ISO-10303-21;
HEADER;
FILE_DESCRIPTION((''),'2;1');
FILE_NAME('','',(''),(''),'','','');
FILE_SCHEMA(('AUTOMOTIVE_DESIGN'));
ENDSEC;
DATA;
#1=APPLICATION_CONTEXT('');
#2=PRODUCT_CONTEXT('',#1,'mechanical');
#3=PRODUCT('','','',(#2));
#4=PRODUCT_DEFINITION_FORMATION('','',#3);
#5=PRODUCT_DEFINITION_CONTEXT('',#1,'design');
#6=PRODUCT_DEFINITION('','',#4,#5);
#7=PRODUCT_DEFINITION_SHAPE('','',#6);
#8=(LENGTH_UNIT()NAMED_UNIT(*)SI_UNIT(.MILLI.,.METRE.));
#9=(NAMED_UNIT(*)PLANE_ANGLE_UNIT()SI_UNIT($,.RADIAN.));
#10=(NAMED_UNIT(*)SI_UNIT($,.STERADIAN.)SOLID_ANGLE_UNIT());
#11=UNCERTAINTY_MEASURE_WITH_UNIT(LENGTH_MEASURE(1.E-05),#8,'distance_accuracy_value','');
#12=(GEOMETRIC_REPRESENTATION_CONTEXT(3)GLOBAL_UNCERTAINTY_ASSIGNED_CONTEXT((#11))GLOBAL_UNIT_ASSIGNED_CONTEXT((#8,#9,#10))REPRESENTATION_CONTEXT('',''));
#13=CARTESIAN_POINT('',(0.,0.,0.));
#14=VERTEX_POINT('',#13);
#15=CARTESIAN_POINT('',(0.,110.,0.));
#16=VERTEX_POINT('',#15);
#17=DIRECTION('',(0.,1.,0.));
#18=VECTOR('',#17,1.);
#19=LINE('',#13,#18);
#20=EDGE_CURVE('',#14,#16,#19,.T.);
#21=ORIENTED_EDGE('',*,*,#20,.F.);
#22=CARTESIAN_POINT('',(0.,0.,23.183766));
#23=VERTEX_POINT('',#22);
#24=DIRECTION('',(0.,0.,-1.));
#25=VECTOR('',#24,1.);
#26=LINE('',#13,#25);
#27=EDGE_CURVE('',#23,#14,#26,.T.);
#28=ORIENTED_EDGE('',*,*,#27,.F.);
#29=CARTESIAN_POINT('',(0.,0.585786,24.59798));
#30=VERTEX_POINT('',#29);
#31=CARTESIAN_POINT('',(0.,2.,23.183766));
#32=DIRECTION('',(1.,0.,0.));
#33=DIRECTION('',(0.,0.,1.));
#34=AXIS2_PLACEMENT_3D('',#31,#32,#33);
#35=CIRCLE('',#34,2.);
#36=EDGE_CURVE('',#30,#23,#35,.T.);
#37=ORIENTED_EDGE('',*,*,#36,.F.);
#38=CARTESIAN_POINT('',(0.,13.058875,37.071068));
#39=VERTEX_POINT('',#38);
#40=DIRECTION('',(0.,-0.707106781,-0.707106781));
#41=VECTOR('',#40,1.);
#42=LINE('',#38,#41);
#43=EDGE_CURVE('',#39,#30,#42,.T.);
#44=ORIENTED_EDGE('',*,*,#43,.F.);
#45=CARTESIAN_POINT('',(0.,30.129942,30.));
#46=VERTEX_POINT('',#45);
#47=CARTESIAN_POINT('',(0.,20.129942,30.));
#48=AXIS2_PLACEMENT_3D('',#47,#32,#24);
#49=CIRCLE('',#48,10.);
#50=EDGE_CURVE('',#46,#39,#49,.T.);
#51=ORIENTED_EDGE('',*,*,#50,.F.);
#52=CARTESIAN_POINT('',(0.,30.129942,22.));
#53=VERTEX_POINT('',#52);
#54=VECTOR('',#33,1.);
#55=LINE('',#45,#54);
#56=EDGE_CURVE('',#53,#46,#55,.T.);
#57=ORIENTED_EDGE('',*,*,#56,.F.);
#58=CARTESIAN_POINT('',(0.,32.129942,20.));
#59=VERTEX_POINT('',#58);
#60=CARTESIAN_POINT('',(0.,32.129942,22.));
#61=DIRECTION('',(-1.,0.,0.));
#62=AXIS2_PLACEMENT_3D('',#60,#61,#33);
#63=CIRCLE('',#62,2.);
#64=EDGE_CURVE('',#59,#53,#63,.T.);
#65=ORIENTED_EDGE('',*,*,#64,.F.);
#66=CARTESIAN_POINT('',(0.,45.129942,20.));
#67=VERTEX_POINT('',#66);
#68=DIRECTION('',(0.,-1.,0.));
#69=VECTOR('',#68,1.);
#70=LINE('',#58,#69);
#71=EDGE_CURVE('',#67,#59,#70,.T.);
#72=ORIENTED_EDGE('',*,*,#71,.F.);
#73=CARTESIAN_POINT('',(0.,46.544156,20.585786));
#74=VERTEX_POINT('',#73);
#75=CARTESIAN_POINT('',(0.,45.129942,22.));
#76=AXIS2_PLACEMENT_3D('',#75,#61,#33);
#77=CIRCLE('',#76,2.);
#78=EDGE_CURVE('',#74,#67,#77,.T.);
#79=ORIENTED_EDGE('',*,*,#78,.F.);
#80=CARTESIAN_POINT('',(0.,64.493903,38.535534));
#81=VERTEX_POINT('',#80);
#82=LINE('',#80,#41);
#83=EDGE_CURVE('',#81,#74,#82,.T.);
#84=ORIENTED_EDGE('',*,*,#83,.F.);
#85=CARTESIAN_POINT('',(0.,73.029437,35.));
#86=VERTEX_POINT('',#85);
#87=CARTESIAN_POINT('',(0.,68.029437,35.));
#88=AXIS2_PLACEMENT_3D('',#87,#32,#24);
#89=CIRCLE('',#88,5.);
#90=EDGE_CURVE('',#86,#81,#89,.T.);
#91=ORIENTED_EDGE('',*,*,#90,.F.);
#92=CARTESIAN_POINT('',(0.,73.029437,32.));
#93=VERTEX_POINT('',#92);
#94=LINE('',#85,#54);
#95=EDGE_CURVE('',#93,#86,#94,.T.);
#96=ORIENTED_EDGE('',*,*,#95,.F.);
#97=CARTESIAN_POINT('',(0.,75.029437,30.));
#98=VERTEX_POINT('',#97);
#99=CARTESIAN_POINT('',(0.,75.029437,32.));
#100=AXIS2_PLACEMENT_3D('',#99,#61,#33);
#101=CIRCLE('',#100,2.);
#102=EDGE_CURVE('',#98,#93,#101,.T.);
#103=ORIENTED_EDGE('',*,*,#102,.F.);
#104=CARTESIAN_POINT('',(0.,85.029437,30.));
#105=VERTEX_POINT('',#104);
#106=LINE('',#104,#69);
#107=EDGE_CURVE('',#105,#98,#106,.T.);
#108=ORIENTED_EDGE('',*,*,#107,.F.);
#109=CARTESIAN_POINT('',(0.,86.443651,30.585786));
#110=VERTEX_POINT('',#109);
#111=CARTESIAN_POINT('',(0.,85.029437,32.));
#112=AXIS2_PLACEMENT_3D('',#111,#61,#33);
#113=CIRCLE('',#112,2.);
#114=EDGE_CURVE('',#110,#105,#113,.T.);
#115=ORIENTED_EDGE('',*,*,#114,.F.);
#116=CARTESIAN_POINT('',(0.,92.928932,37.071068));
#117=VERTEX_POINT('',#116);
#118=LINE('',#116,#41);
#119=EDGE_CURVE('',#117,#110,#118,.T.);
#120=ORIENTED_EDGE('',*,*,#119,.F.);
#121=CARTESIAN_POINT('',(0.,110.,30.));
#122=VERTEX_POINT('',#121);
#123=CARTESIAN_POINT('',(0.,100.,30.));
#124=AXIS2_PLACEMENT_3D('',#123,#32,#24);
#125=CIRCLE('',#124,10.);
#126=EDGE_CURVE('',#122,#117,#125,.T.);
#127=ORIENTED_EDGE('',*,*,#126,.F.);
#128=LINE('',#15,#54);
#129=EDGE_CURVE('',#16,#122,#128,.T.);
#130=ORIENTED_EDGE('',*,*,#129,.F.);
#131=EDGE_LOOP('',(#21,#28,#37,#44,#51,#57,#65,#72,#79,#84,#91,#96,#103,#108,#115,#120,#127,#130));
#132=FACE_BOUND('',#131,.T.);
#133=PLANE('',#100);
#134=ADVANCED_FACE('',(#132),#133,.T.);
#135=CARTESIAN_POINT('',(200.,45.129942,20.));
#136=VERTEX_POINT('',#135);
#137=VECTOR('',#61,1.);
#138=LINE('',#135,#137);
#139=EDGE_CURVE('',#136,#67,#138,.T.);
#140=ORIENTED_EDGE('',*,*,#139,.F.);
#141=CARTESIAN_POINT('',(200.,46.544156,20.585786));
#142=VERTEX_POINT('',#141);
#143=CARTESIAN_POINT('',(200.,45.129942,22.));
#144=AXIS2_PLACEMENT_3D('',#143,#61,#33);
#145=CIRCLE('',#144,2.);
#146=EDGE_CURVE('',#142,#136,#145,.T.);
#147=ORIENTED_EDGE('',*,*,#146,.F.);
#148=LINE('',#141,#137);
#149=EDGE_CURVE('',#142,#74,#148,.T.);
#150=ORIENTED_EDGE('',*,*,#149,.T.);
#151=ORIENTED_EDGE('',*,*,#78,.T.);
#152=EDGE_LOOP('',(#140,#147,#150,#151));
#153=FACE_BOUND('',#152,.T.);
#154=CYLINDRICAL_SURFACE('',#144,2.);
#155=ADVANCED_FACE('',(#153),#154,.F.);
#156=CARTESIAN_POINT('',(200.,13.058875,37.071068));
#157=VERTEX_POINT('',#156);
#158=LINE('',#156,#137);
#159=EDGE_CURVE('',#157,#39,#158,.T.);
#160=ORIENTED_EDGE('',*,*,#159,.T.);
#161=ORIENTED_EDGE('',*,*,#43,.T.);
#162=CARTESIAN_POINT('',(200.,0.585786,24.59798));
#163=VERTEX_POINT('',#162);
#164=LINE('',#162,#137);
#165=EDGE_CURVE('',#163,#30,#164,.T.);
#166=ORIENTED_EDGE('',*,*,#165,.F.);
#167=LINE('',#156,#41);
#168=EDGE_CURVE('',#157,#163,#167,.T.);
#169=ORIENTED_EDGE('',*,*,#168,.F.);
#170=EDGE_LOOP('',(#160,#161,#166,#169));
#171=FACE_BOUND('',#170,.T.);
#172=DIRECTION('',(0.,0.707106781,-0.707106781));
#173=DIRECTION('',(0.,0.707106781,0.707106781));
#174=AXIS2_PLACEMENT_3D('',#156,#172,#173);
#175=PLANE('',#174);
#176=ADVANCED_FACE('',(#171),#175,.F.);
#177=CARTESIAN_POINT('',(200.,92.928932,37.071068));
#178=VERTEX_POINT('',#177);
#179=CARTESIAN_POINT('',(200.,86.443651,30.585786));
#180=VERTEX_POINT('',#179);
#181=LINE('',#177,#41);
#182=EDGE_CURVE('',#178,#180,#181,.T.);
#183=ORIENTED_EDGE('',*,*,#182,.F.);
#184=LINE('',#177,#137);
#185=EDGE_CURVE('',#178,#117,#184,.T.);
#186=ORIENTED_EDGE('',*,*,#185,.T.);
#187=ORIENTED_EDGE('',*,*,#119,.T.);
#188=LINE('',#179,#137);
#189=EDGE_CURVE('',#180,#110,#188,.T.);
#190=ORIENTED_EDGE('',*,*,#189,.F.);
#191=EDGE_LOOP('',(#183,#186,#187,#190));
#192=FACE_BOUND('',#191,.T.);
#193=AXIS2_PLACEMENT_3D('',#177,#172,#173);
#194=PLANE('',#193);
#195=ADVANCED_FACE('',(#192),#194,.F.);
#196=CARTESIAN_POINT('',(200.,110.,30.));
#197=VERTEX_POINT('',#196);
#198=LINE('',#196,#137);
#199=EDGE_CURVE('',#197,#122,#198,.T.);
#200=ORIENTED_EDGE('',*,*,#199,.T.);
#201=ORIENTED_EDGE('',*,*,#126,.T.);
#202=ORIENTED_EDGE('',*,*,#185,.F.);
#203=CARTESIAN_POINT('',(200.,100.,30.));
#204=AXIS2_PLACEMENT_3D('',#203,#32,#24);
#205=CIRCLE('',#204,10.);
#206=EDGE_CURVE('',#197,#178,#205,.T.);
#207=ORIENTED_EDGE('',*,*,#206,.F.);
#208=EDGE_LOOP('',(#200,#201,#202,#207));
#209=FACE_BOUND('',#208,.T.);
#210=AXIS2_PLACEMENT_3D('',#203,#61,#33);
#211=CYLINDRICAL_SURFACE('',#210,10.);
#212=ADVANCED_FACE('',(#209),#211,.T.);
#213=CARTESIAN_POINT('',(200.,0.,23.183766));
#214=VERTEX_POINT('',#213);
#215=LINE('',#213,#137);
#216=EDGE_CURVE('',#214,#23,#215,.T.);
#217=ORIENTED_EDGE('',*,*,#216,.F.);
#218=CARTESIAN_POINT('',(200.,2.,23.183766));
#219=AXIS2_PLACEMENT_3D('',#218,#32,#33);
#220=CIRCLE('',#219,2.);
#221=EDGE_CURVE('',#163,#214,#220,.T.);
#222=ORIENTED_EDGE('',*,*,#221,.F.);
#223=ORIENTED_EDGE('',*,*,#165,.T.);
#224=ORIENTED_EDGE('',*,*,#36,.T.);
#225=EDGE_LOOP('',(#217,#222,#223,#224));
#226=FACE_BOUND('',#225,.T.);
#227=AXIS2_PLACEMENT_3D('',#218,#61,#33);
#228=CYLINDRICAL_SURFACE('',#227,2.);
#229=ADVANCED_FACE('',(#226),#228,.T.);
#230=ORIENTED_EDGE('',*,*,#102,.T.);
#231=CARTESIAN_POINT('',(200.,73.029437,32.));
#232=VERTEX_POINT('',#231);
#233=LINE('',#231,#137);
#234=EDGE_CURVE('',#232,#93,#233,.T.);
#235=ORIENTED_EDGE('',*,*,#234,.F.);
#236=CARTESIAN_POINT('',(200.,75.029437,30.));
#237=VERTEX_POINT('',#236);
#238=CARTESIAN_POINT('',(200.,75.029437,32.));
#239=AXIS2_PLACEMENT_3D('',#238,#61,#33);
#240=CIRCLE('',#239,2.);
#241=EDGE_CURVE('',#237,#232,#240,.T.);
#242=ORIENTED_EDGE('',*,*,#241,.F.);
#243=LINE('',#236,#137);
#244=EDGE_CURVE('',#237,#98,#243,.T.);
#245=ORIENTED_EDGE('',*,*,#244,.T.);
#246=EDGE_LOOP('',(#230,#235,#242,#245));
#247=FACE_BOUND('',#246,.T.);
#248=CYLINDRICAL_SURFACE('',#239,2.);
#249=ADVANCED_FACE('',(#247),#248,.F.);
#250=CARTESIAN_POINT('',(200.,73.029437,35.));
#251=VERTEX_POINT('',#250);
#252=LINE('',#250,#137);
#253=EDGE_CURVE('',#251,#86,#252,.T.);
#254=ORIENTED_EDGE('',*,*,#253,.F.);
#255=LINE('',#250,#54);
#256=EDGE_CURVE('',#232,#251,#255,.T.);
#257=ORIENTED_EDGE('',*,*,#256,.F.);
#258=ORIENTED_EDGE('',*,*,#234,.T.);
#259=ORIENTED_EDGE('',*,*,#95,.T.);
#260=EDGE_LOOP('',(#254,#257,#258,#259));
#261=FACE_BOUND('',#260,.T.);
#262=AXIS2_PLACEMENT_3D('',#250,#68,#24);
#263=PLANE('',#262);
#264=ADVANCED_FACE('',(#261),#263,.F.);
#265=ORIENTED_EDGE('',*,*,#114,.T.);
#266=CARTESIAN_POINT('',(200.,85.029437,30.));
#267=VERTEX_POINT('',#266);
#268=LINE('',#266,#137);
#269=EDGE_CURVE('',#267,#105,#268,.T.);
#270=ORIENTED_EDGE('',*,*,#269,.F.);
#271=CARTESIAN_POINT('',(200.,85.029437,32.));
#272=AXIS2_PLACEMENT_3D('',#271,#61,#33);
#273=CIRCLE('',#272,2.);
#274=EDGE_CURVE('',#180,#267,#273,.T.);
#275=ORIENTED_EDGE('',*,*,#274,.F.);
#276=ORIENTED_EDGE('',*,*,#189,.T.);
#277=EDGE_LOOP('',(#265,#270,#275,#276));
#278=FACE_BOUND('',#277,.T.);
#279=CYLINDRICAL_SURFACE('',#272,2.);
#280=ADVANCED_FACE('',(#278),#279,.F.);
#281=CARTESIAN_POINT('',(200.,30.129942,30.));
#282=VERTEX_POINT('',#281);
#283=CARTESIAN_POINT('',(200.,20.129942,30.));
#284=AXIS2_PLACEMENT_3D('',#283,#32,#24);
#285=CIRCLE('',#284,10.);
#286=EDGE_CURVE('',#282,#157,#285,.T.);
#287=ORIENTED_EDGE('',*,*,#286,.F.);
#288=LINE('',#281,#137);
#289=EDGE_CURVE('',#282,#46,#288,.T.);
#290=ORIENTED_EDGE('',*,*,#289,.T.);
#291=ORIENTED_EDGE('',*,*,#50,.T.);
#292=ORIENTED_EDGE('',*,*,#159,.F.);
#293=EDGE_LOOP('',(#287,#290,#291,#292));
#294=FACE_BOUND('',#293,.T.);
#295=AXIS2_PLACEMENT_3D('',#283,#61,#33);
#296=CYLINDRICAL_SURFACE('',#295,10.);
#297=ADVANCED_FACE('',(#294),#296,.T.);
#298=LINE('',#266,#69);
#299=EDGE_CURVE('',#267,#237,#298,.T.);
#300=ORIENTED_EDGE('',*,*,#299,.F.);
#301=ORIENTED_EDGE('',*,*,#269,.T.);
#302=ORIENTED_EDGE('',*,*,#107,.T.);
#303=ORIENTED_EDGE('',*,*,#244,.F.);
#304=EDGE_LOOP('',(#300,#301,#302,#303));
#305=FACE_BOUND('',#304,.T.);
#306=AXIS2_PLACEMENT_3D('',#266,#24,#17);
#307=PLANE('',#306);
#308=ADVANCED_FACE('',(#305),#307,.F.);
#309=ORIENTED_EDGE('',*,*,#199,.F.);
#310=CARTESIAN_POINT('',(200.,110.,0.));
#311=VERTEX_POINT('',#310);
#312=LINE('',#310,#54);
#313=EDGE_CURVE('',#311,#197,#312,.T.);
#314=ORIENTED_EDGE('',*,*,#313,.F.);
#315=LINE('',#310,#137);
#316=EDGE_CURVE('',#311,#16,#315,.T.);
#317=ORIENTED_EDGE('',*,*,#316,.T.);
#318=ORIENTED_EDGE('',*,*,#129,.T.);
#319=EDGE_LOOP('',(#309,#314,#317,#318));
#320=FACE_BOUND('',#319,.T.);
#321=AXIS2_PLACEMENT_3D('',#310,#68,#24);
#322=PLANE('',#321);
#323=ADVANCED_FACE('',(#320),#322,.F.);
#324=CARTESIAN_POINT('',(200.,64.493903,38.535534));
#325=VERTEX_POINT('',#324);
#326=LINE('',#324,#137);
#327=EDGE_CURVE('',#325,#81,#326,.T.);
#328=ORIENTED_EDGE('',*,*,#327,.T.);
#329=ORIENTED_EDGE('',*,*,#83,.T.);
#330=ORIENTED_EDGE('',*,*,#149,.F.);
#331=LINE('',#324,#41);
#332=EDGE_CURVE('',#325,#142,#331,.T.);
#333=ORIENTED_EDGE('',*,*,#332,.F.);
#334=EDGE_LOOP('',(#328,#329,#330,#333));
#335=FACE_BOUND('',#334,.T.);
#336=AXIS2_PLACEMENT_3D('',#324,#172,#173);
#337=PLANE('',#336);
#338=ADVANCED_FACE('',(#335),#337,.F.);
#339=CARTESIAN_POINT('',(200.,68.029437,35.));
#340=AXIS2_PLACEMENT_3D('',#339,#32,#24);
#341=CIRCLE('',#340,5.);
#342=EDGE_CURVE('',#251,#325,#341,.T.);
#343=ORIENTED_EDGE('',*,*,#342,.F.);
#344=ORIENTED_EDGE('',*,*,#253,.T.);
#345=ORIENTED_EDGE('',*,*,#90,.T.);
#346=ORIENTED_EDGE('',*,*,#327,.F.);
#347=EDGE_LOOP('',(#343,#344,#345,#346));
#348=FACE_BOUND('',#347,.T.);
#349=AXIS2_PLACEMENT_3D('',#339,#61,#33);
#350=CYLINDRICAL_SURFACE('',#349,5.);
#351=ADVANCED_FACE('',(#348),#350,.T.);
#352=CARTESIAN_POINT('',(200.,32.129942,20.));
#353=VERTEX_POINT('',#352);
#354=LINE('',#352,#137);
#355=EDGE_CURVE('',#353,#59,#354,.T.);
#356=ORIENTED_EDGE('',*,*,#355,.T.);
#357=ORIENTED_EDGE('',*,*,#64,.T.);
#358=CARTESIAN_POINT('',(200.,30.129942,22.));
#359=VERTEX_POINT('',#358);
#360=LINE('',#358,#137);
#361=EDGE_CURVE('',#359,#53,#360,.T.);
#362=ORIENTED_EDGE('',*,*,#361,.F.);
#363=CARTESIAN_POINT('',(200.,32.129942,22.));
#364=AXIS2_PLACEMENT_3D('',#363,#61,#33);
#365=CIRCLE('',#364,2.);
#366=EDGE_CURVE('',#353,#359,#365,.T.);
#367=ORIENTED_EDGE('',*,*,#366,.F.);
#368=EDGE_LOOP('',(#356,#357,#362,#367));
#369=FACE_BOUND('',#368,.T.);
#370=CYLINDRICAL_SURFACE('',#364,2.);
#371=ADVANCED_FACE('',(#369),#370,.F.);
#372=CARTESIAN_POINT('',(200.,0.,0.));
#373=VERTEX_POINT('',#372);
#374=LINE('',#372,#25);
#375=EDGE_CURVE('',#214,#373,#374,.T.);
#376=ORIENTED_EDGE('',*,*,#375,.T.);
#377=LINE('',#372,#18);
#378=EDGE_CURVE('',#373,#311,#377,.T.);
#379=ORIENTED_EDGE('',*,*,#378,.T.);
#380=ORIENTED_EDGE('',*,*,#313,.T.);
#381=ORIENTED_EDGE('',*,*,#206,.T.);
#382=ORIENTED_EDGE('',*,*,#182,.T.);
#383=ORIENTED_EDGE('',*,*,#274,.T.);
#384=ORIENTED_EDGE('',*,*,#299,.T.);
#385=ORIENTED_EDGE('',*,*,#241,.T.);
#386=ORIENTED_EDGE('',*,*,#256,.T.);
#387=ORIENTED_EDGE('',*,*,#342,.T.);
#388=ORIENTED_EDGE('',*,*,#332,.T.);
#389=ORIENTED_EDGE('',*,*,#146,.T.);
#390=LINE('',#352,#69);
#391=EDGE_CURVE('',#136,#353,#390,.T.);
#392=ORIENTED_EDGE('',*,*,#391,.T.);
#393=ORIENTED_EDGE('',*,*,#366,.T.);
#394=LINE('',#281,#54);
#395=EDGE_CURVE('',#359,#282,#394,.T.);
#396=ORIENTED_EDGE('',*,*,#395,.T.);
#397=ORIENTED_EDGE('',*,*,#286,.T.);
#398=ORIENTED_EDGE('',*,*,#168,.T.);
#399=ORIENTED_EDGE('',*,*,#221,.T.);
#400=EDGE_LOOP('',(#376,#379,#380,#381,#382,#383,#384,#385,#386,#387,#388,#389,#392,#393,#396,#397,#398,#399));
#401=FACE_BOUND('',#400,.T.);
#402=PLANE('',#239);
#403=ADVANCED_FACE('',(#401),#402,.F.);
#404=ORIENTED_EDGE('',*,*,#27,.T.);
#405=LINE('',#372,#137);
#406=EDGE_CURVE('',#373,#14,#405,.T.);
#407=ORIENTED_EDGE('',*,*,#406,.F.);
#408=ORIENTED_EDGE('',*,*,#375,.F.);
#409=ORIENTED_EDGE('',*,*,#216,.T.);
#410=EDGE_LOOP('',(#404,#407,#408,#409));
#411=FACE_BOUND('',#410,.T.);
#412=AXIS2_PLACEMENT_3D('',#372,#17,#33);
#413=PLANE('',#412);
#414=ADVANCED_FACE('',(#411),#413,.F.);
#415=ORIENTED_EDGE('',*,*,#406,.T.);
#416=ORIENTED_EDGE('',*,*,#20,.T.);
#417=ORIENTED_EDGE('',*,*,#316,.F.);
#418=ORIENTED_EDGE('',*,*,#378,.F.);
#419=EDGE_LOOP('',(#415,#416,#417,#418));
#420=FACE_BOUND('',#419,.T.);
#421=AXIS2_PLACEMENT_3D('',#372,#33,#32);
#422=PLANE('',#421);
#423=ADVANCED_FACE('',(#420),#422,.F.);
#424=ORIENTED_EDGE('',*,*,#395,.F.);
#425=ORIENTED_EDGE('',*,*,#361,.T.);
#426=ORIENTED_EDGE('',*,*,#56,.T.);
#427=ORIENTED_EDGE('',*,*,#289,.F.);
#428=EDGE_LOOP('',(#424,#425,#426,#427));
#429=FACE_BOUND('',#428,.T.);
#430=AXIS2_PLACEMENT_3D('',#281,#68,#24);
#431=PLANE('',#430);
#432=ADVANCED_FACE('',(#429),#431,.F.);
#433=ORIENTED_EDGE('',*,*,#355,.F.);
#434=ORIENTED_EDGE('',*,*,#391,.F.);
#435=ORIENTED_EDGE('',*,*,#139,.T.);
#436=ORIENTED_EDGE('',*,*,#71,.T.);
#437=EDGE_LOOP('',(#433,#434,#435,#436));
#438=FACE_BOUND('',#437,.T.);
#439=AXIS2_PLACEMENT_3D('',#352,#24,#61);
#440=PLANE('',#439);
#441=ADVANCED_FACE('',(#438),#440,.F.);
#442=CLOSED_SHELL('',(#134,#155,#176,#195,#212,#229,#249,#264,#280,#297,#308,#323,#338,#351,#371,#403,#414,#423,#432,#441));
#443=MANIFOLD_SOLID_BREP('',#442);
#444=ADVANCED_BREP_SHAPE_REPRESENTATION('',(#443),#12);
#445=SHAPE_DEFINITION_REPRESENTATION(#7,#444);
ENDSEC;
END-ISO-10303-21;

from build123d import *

# Parameters (mm, degrees)
SALIENTE_EXTRUIR1_DEPTH = 200


with BuildPart() as part:
    # Croquis1 → Saliente-Extruir1 (new body)
    with BuildSketch(Plane(origin=(0, 0, 0), x_dir=(0, 0, -1), z_dir=(1, 0, 0))):
        with BuildLine():
            Line((0, 0), (-23.183766184, 0))
            ThreePointArc((-23.183766184, 0), (-23.949133049, 0.152240935), (-24.597979746, 0.585786438))
            Line((-24.597979746, 0.585786438), (-37.071067812, 13.058874503))
            ThreePointArc((-37.071067812, 13.058874503), (-39.238795325, 23.956776639), (-30, 30.129942315))
            Line((-30, 30.129942315), (-22, 30.129942315))
            ThreePointArc((-22, 30.129942315), (-20.585786438, 30.715728753), (-20, 32.129942315))
            Line((-20, 32.129942315), (-20, 45.129942315))
            ThreePointArc((-20, 45.129942315), (-20.152240935, 45.89530918), (-20.585786438, 46.544155877))
            Line((-20.585786438, 46.544155877), (-38.535533906, 64.493903346))
            ThreePointArc((-38.535533906, 64.493903346), (-39.619397663, 69.942854413), (-35, 73.029437252))
            Line((-35, 73.029437252), (-32, 73.029437252))
            ThreePointArc((-32, 73.029437252), (-30.585786438, 73.615223689), (-30, 75.029437252))
            Line((-30, 75.029437252), (-30, 85.029437252))
            ThreePointArc((-30, 85.029437252), (-30.152240935, 85.794804116), (-30.585786438, 86.443650814))
            Line((-30.585786438, 86.443650814), (-37.071067812, 92.928932188))
            ThreePointArc((-37.071067812, 92.928932188), (-39.238795325, 103.826834324), (-30, 110))
            Line((-30, 110), (0, 110))
            Line((0, 110), (0, 0))
        make_face()
    extrude(amount=SALIENTE_EXTRUIR1_DEPTH)


solid = part.part
